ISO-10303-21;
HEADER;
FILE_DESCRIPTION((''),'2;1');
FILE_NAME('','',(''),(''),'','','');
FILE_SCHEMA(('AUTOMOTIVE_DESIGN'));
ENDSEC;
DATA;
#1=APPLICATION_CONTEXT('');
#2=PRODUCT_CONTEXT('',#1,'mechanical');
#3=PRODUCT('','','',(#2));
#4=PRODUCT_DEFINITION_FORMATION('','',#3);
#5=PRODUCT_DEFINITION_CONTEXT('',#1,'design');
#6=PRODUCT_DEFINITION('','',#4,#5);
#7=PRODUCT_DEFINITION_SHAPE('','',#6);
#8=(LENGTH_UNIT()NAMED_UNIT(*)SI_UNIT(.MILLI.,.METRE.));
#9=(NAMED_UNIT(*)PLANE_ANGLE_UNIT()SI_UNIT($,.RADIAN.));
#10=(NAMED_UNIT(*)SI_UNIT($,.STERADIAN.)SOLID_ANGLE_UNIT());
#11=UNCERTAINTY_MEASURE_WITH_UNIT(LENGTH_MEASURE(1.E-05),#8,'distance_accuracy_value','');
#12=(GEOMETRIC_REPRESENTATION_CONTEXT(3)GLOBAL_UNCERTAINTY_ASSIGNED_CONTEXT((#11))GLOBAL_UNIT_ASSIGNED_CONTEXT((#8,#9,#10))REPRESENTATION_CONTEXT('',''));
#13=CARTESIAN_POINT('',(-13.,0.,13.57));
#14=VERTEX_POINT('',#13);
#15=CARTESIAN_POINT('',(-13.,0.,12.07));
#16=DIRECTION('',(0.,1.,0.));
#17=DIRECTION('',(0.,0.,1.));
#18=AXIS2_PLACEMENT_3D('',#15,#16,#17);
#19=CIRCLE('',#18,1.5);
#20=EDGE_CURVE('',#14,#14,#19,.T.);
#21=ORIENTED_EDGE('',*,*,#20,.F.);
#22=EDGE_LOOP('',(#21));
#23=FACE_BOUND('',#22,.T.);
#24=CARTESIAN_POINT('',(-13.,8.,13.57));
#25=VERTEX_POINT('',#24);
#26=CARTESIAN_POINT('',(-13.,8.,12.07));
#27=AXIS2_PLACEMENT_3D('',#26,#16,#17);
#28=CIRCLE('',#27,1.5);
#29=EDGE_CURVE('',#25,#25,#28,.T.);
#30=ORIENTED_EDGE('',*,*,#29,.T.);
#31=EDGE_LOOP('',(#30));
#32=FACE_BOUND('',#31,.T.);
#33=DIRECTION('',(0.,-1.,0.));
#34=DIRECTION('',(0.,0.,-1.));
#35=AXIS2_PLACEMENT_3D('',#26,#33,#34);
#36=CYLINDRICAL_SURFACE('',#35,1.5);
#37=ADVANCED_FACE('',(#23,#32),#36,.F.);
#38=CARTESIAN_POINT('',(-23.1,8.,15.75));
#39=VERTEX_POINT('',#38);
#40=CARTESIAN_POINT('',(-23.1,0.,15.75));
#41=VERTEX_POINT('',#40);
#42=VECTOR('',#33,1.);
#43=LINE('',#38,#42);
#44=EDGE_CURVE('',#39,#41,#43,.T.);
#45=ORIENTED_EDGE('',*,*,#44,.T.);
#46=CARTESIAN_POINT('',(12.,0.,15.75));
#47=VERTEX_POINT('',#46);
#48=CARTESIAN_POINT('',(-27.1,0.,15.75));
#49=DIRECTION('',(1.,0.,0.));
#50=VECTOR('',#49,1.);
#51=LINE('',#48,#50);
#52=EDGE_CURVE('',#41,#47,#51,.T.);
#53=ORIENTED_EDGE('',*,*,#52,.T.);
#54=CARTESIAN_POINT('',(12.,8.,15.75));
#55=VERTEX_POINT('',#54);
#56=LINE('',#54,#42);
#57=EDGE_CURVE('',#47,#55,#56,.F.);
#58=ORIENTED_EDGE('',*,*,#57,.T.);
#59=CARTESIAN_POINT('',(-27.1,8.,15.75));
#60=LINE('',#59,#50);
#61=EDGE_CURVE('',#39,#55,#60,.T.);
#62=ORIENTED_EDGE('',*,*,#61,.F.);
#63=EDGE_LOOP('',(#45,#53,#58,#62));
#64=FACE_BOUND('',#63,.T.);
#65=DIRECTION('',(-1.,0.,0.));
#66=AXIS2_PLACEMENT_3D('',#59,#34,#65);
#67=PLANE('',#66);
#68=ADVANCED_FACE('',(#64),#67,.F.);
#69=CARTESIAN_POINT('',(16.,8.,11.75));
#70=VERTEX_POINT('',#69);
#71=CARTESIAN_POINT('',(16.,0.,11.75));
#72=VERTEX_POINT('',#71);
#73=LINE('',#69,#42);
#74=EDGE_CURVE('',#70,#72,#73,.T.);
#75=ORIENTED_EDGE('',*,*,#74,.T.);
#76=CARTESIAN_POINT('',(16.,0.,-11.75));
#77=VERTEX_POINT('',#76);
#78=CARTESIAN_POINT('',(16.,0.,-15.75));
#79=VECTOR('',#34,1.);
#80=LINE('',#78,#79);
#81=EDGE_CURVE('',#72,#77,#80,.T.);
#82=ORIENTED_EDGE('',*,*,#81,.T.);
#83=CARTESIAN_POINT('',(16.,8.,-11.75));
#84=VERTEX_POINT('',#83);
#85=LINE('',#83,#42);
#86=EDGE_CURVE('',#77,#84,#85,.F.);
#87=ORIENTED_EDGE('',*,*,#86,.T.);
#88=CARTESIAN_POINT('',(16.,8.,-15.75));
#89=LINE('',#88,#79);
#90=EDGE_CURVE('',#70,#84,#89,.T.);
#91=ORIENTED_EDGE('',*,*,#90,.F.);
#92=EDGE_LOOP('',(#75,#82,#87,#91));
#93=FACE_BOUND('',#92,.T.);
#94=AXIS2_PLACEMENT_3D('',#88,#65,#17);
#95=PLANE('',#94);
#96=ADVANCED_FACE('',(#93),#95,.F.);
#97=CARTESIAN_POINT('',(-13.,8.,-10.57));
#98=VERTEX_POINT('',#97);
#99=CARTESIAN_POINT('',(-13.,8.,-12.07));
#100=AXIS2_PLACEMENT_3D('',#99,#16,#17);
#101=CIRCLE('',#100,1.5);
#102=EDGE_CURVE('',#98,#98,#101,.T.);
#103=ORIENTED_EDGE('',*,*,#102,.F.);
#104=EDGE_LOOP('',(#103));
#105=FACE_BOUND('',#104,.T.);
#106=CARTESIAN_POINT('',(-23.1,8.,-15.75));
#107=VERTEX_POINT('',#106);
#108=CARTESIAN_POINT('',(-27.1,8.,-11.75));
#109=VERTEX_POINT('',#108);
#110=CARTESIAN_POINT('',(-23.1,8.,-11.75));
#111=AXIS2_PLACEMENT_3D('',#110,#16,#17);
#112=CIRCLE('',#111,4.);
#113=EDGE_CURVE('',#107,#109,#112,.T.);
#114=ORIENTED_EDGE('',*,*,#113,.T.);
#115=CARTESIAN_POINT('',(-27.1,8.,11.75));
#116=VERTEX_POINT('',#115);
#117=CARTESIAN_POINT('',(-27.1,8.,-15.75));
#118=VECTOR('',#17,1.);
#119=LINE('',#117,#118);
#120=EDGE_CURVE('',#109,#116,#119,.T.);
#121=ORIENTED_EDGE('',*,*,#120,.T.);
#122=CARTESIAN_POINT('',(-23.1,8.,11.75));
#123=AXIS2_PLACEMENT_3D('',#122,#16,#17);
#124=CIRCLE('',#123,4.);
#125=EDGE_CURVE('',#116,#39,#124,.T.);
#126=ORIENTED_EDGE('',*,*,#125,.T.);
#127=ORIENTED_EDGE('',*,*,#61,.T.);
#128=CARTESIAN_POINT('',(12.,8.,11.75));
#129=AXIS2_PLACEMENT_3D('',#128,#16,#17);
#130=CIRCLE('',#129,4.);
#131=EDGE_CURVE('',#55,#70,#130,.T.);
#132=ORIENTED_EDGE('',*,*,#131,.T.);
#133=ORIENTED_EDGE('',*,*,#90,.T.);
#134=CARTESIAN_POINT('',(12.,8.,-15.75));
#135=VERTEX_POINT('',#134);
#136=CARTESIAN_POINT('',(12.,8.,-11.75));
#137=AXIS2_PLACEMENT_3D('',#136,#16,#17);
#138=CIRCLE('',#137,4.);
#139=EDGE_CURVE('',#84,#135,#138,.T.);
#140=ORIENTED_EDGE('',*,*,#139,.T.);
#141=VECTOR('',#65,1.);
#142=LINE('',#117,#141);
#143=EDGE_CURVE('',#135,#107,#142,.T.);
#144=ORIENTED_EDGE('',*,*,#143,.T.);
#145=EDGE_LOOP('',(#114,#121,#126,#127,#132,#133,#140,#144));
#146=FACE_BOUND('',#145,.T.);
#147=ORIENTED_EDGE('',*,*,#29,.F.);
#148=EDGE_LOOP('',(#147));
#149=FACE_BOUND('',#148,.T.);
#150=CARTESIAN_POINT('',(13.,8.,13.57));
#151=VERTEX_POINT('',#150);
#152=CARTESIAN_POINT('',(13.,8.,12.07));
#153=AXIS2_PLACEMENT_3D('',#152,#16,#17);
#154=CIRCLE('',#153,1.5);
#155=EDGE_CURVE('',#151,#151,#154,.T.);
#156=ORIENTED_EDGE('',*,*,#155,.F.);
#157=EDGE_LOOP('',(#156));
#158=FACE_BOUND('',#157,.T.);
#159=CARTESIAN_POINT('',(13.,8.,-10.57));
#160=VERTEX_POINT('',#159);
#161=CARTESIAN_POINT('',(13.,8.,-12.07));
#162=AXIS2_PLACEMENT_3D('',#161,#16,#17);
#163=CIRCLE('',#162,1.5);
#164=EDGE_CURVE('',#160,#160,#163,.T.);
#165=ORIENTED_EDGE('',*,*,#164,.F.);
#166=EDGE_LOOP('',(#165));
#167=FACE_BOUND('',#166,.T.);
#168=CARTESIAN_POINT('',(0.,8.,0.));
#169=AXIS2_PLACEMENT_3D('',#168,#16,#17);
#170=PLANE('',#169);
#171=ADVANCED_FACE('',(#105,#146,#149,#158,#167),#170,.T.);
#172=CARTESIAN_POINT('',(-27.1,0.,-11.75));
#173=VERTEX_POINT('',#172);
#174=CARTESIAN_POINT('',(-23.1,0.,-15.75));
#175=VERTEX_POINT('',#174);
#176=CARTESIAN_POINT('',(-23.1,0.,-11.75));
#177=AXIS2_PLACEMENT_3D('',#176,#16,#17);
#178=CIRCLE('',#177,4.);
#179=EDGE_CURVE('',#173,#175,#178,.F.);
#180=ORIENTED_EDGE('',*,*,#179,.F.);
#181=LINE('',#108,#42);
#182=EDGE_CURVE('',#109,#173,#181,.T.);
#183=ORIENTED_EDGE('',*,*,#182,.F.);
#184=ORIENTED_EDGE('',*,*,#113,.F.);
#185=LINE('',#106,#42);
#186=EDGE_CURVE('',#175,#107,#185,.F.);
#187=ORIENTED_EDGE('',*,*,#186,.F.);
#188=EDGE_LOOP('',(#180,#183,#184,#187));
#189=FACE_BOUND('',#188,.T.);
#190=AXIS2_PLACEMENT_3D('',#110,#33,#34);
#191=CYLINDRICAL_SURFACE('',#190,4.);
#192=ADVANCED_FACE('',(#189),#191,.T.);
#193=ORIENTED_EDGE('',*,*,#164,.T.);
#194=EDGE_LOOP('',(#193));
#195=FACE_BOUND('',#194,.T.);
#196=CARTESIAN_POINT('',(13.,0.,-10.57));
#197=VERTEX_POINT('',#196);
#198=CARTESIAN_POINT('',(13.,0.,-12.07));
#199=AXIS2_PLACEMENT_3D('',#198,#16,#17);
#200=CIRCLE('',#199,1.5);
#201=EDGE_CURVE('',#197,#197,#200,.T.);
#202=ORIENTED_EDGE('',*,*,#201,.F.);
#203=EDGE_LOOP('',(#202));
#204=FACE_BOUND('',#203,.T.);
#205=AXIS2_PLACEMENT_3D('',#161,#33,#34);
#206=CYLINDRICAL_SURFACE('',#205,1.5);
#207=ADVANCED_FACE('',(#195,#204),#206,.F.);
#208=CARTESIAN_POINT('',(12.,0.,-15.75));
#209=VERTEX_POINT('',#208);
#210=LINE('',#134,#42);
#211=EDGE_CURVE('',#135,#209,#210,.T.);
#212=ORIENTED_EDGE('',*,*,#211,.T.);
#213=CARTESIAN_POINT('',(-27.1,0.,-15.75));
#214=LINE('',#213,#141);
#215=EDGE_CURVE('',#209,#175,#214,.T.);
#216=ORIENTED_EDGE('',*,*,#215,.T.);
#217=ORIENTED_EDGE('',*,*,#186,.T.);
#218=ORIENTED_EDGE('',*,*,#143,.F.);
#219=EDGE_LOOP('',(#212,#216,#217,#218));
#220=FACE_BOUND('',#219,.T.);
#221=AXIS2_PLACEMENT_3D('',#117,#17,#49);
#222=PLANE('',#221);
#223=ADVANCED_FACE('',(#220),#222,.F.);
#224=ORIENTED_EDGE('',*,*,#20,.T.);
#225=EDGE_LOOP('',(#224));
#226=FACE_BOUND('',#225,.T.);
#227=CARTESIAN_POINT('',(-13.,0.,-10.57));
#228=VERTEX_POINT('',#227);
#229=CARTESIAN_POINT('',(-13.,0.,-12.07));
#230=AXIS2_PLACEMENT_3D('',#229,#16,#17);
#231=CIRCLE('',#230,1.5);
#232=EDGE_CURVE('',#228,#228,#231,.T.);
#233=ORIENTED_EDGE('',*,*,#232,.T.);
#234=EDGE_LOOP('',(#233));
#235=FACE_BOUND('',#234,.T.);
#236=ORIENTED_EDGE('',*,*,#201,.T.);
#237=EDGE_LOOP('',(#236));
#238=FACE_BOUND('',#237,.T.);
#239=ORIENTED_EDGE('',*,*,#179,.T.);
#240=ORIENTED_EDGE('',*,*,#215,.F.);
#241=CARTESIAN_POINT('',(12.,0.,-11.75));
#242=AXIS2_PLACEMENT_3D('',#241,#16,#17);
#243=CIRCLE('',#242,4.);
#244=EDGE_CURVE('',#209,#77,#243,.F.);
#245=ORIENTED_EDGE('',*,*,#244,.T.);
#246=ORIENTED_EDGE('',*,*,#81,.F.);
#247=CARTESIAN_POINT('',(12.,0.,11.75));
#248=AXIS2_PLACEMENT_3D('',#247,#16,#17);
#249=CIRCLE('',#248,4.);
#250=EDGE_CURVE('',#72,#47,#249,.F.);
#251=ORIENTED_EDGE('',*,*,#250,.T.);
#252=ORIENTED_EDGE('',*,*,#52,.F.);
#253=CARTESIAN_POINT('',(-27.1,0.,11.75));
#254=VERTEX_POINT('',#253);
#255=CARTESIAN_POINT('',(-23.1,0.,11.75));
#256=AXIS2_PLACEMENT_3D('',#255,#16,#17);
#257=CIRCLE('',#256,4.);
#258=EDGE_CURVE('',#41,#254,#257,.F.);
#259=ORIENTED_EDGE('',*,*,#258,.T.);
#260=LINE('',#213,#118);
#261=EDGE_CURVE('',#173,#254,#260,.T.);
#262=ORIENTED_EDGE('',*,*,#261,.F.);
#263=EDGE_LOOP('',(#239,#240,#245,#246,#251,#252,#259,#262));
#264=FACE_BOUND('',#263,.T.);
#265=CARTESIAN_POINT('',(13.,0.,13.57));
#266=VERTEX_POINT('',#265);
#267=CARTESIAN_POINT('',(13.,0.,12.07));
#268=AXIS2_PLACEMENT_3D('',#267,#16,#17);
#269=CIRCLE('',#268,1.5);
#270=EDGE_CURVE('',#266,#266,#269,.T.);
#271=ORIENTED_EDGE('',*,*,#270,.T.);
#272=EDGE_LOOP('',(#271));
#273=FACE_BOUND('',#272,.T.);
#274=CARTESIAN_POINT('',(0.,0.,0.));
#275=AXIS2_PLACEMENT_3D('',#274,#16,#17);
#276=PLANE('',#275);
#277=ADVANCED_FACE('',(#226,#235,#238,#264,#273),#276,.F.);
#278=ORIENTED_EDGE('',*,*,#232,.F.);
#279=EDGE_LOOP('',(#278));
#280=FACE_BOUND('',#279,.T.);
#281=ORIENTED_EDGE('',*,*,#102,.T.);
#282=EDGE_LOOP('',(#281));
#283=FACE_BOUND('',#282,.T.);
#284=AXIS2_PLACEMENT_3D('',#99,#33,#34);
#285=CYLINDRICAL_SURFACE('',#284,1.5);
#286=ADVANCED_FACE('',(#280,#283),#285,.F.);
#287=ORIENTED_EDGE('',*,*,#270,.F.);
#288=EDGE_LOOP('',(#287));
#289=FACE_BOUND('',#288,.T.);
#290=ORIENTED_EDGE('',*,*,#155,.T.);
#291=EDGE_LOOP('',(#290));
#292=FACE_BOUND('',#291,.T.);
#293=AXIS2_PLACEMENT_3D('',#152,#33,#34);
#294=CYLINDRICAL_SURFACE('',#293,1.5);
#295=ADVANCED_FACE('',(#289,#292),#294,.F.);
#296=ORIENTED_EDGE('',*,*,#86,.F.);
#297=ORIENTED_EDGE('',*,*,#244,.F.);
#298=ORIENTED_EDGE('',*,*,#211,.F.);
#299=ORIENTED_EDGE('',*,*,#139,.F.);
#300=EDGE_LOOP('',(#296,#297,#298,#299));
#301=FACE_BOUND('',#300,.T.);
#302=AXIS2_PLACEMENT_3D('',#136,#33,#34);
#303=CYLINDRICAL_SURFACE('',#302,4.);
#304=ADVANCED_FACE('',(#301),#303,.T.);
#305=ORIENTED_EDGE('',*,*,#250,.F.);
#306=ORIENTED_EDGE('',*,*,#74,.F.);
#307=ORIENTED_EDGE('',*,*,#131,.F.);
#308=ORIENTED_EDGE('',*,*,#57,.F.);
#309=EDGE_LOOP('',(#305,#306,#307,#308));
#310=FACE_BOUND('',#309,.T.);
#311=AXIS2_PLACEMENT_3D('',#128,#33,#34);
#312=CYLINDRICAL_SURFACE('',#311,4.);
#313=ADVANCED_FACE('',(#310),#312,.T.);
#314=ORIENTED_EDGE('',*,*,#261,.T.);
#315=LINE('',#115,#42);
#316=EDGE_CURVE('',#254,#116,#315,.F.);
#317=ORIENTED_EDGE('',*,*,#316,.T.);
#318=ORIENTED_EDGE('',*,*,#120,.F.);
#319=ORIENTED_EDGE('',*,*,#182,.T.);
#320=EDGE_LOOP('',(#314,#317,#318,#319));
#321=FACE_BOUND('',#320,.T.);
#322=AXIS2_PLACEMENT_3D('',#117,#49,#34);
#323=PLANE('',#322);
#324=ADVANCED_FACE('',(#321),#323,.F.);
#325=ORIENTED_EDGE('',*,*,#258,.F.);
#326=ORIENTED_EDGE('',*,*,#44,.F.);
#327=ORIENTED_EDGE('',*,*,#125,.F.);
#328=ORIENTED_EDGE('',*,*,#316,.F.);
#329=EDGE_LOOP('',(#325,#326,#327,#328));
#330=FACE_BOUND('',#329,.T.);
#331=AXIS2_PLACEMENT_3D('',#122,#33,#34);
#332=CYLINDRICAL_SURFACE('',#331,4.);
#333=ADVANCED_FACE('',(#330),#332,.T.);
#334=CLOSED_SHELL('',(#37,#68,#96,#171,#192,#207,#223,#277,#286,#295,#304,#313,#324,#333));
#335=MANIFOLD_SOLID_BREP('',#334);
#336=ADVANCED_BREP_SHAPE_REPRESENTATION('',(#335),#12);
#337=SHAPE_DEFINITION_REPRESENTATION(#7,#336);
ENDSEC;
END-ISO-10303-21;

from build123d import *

# Parameters (mm, degrees)
SKETCH_1_W      = 43.1
SKETCH_1_H      = 31.5
SKETCH_1_R      = 1.5
EXTRUDE_1_DEPTH = 8
FILLET_1_R      = 4


with BuildPart() as part:
    # 草图1 → 凸台-拉伸1 (new body)
    with BuildSketch(Plane(origin=(0, 0, 0), x_dir=(1, 0, 0), z_dir=(0, 1, 0))):
        with Locations((-5.55, 0)):
            Rectangle(SKETCH_1_W, SKETCH_1_H)
        with Locations(Location((-13, 12.07, 0), (0, 0, 270))):
            Circle(SKETCH_1_R, mode=Mode.SUBTRACT)
        with Locations(Location((13, 12.07, 0), (0, 0, 270))):
            Circle(SKETCH_1_R, mode=Mode.SUBTRACT)
        with Locations(Location((13, -12.07, 0), (0, 0, 270))):
            Circle(SKETCH_1_R, mode=Mode.SUBTRACT)
        with Locations(Location((-13, -12.07, 0), (0, 0, 270))):
            Circle(SKETCH_1_R, mode=Mode.SUBTRACT)
    extrude(amount=EXTRUDE_1_DEPTH)

    # 圆角1
    fillet_1_edges = [part.edges().sort_by_distance(p)[0] for p in [
        (-27.1, 4, -15.75),
        (16, 4, -15.75),
        (16, 4, 15.75),
        (-27.1, 4, 15.75),
    ]]
    fillet(fillet_1_edges, radius=FILLET_1_R)


solid = part.part
